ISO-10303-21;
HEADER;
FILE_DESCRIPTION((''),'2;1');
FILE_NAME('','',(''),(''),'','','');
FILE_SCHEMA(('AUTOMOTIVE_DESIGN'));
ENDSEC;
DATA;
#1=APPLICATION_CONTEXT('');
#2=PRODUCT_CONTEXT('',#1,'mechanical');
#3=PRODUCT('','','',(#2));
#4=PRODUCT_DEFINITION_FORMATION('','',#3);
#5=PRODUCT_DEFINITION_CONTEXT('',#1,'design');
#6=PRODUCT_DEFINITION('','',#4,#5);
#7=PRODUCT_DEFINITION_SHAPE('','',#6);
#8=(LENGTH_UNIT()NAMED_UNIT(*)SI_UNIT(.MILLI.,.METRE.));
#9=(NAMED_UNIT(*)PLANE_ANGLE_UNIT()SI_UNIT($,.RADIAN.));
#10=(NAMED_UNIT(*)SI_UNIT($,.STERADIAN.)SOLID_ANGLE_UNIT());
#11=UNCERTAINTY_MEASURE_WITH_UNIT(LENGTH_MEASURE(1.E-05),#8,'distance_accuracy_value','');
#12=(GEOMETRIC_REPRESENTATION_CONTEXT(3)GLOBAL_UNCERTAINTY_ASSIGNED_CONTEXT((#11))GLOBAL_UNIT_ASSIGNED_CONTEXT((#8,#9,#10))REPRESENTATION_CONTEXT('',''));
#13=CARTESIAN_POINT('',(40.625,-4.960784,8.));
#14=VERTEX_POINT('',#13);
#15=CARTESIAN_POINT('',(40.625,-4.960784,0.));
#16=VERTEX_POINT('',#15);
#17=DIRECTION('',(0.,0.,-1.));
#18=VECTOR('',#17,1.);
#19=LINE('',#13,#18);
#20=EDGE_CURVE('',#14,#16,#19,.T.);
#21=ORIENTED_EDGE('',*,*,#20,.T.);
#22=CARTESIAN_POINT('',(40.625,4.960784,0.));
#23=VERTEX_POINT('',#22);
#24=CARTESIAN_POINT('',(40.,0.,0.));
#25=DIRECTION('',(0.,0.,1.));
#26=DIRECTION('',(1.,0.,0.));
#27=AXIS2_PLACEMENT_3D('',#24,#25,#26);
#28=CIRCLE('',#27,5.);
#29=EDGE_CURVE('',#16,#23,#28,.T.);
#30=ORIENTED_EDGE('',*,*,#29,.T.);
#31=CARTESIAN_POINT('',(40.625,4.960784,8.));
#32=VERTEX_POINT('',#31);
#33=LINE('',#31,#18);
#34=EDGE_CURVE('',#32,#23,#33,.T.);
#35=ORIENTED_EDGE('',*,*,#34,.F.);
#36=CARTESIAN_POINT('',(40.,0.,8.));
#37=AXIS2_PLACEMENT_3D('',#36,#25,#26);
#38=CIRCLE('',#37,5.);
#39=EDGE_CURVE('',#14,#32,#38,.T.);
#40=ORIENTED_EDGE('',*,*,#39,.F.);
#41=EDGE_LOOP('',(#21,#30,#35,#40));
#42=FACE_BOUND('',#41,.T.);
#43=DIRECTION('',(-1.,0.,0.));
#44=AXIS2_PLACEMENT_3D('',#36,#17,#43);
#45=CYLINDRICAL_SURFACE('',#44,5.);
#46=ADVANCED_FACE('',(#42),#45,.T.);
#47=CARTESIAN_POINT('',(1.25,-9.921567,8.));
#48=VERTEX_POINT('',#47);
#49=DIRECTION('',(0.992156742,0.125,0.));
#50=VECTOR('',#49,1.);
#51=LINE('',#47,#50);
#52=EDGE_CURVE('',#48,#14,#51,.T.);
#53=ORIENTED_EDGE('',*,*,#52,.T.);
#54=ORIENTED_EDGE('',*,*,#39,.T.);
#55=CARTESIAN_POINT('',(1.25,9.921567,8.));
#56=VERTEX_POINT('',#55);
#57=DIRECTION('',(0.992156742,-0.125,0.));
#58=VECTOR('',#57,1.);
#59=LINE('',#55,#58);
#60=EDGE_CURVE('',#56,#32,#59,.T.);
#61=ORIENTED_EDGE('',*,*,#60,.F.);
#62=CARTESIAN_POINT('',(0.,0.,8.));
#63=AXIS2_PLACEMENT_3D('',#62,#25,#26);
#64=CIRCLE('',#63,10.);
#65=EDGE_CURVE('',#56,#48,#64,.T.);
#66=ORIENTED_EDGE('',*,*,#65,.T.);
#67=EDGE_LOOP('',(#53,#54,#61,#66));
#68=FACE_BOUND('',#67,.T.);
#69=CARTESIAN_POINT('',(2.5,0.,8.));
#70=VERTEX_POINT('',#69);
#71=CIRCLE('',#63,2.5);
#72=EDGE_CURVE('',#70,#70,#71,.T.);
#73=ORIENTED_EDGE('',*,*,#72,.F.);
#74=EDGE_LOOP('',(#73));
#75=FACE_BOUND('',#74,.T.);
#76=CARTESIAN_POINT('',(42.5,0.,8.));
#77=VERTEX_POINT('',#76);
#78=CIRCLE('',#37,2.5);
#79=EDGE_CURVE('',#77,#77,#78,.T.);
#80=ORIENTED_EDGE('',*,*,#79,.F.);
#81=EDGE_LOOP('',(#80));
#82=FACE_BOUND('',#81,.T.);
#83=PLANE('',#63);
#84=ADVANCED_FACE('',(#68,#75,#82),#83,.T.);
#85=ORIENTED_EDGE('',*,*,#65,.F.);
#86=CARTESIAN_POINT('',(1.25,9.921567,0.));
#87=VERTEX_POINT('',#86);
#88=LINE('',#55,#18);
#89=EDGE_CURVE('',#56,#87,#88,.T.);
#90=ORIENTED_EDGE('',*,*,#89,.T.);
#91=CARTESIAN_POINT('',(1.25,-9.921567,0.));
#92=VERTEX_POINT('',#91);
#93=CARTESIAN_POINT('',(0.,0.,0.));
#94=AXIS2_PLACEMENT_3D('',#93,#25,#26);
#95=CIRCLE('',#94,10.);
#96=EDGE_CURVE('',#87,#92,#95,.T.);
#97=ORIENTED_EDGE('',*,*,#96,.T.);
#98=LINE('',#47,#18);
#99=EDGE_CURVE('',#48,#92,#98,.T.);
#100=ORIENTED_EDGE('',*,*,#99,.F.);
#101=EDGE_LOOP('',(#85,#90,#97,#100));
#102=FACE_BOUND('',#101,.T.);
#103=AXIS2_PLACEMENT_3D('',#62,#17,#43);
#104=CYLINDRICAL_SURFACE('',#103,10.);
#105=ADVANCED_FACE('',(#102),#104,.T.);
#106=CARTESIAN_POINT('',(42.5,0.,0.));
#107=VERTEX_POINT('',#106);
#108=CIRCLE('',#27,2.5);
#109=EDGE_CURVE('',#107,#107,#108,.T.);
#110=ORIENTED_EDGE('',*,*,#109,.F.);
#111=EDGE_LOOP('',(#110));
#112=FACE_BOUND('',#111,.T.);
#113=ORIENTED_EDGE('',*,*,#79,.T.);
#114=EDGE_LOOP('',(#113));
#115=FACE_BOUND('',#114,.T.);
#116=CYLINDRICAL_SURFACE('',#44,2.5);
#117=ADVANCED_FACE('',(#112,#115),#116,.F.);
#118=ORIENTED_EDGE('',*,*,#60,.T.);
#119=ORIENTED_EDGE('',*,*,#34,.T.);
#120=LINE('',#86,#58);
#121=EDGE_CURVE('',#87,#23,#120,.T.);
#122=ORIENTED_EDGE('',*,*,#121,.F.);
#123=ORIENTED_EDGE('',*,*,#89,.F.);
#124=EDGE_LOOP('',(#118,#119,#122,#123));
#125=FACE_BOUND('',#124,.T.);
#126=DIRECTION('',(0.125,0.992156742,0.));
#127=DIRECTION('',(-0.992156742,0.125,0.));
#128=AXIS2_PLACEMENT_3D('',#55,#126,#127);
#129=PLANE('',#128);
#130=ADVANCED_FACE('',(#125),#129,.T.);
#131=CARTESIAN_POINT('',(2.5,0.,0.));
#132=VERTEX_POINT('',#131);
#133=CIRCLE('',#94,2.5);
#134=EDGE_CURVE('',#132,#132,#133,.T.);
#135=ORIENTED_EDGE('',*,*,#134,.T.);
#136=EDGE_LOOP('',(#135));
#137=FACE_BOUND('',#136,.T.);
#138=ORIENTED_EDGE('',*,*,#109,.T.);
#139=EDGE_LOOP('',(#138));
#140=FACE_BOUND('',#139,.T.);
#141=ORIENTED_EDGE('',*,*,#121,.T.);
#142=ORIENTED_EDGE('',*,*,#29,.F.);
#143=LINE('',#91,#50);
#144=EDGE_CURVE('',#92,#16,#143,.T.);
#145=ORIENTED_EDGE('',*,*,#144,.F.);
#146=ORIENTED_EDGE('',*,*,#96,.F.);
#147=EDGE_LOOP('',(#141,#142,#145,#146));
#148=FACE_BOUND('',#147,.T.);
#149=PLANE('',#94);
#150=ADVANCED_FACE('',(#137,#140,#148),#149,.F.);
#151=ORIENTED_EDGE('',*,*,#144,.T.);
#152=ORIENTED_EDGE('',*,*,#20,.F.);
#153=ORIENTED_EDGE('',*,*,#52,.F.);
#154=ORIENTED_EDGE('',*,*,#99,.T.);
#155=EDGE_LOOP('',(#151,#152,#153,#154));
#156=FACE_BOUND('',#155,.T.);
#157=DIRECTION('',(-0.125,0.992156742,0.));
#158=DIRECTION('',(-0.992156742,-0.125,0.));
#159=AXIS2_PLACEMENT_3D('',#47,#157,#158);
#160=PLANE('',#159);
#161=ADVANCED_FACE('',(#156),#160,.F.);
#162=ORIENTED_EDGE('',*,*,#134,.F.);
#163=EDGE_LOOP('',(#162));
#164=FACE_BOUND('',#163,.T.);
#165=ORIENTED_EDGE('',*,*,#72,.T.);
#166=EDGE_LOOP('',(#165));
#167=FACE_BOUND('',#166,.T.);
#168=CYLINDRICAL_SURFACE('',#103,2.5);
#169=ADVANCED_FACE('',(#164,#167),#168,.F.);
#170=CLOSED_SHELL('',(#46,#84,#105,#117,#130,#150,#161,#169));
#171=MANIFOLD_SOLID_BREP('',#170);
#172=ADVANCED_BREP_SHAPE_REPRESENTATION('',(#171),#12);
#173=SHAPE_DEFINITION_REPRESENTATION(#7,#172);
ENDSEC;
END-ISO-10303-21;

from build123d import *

# Parameters (mm, degrees)
SKETCH_2_R      = 2.5
EXTRUDE_1_DEPTH = 8


with BuildPart() as part:
    # 草图2 → 凸台-拉伸1 (new body)
    with BuildSketch(Plane.XY):
        with BuildLine():
            Line((40.625, 4.960783708), (1.25, 9.921567416))
            ThreePointArc((1.25, 9.921567416), (-10, 0), (1.25, -9.921567416))
            Line((1.25, -9.921567416), (40.625, -4.960783708))
            ThreePointArc((40.625, -4.960783708), (45, 0), (40.625, 4.960783708))
        make_face()
        with Locations((40, 0)):
            Circle(SKETCH_2_R, mode=Mode.SUBTRACT)
        Circle(SKETCH_2_R, mode=Mode.SUBTRACT)
    extrude(amount=EXTRUDE_1_DEPTH)


solid = part.part
